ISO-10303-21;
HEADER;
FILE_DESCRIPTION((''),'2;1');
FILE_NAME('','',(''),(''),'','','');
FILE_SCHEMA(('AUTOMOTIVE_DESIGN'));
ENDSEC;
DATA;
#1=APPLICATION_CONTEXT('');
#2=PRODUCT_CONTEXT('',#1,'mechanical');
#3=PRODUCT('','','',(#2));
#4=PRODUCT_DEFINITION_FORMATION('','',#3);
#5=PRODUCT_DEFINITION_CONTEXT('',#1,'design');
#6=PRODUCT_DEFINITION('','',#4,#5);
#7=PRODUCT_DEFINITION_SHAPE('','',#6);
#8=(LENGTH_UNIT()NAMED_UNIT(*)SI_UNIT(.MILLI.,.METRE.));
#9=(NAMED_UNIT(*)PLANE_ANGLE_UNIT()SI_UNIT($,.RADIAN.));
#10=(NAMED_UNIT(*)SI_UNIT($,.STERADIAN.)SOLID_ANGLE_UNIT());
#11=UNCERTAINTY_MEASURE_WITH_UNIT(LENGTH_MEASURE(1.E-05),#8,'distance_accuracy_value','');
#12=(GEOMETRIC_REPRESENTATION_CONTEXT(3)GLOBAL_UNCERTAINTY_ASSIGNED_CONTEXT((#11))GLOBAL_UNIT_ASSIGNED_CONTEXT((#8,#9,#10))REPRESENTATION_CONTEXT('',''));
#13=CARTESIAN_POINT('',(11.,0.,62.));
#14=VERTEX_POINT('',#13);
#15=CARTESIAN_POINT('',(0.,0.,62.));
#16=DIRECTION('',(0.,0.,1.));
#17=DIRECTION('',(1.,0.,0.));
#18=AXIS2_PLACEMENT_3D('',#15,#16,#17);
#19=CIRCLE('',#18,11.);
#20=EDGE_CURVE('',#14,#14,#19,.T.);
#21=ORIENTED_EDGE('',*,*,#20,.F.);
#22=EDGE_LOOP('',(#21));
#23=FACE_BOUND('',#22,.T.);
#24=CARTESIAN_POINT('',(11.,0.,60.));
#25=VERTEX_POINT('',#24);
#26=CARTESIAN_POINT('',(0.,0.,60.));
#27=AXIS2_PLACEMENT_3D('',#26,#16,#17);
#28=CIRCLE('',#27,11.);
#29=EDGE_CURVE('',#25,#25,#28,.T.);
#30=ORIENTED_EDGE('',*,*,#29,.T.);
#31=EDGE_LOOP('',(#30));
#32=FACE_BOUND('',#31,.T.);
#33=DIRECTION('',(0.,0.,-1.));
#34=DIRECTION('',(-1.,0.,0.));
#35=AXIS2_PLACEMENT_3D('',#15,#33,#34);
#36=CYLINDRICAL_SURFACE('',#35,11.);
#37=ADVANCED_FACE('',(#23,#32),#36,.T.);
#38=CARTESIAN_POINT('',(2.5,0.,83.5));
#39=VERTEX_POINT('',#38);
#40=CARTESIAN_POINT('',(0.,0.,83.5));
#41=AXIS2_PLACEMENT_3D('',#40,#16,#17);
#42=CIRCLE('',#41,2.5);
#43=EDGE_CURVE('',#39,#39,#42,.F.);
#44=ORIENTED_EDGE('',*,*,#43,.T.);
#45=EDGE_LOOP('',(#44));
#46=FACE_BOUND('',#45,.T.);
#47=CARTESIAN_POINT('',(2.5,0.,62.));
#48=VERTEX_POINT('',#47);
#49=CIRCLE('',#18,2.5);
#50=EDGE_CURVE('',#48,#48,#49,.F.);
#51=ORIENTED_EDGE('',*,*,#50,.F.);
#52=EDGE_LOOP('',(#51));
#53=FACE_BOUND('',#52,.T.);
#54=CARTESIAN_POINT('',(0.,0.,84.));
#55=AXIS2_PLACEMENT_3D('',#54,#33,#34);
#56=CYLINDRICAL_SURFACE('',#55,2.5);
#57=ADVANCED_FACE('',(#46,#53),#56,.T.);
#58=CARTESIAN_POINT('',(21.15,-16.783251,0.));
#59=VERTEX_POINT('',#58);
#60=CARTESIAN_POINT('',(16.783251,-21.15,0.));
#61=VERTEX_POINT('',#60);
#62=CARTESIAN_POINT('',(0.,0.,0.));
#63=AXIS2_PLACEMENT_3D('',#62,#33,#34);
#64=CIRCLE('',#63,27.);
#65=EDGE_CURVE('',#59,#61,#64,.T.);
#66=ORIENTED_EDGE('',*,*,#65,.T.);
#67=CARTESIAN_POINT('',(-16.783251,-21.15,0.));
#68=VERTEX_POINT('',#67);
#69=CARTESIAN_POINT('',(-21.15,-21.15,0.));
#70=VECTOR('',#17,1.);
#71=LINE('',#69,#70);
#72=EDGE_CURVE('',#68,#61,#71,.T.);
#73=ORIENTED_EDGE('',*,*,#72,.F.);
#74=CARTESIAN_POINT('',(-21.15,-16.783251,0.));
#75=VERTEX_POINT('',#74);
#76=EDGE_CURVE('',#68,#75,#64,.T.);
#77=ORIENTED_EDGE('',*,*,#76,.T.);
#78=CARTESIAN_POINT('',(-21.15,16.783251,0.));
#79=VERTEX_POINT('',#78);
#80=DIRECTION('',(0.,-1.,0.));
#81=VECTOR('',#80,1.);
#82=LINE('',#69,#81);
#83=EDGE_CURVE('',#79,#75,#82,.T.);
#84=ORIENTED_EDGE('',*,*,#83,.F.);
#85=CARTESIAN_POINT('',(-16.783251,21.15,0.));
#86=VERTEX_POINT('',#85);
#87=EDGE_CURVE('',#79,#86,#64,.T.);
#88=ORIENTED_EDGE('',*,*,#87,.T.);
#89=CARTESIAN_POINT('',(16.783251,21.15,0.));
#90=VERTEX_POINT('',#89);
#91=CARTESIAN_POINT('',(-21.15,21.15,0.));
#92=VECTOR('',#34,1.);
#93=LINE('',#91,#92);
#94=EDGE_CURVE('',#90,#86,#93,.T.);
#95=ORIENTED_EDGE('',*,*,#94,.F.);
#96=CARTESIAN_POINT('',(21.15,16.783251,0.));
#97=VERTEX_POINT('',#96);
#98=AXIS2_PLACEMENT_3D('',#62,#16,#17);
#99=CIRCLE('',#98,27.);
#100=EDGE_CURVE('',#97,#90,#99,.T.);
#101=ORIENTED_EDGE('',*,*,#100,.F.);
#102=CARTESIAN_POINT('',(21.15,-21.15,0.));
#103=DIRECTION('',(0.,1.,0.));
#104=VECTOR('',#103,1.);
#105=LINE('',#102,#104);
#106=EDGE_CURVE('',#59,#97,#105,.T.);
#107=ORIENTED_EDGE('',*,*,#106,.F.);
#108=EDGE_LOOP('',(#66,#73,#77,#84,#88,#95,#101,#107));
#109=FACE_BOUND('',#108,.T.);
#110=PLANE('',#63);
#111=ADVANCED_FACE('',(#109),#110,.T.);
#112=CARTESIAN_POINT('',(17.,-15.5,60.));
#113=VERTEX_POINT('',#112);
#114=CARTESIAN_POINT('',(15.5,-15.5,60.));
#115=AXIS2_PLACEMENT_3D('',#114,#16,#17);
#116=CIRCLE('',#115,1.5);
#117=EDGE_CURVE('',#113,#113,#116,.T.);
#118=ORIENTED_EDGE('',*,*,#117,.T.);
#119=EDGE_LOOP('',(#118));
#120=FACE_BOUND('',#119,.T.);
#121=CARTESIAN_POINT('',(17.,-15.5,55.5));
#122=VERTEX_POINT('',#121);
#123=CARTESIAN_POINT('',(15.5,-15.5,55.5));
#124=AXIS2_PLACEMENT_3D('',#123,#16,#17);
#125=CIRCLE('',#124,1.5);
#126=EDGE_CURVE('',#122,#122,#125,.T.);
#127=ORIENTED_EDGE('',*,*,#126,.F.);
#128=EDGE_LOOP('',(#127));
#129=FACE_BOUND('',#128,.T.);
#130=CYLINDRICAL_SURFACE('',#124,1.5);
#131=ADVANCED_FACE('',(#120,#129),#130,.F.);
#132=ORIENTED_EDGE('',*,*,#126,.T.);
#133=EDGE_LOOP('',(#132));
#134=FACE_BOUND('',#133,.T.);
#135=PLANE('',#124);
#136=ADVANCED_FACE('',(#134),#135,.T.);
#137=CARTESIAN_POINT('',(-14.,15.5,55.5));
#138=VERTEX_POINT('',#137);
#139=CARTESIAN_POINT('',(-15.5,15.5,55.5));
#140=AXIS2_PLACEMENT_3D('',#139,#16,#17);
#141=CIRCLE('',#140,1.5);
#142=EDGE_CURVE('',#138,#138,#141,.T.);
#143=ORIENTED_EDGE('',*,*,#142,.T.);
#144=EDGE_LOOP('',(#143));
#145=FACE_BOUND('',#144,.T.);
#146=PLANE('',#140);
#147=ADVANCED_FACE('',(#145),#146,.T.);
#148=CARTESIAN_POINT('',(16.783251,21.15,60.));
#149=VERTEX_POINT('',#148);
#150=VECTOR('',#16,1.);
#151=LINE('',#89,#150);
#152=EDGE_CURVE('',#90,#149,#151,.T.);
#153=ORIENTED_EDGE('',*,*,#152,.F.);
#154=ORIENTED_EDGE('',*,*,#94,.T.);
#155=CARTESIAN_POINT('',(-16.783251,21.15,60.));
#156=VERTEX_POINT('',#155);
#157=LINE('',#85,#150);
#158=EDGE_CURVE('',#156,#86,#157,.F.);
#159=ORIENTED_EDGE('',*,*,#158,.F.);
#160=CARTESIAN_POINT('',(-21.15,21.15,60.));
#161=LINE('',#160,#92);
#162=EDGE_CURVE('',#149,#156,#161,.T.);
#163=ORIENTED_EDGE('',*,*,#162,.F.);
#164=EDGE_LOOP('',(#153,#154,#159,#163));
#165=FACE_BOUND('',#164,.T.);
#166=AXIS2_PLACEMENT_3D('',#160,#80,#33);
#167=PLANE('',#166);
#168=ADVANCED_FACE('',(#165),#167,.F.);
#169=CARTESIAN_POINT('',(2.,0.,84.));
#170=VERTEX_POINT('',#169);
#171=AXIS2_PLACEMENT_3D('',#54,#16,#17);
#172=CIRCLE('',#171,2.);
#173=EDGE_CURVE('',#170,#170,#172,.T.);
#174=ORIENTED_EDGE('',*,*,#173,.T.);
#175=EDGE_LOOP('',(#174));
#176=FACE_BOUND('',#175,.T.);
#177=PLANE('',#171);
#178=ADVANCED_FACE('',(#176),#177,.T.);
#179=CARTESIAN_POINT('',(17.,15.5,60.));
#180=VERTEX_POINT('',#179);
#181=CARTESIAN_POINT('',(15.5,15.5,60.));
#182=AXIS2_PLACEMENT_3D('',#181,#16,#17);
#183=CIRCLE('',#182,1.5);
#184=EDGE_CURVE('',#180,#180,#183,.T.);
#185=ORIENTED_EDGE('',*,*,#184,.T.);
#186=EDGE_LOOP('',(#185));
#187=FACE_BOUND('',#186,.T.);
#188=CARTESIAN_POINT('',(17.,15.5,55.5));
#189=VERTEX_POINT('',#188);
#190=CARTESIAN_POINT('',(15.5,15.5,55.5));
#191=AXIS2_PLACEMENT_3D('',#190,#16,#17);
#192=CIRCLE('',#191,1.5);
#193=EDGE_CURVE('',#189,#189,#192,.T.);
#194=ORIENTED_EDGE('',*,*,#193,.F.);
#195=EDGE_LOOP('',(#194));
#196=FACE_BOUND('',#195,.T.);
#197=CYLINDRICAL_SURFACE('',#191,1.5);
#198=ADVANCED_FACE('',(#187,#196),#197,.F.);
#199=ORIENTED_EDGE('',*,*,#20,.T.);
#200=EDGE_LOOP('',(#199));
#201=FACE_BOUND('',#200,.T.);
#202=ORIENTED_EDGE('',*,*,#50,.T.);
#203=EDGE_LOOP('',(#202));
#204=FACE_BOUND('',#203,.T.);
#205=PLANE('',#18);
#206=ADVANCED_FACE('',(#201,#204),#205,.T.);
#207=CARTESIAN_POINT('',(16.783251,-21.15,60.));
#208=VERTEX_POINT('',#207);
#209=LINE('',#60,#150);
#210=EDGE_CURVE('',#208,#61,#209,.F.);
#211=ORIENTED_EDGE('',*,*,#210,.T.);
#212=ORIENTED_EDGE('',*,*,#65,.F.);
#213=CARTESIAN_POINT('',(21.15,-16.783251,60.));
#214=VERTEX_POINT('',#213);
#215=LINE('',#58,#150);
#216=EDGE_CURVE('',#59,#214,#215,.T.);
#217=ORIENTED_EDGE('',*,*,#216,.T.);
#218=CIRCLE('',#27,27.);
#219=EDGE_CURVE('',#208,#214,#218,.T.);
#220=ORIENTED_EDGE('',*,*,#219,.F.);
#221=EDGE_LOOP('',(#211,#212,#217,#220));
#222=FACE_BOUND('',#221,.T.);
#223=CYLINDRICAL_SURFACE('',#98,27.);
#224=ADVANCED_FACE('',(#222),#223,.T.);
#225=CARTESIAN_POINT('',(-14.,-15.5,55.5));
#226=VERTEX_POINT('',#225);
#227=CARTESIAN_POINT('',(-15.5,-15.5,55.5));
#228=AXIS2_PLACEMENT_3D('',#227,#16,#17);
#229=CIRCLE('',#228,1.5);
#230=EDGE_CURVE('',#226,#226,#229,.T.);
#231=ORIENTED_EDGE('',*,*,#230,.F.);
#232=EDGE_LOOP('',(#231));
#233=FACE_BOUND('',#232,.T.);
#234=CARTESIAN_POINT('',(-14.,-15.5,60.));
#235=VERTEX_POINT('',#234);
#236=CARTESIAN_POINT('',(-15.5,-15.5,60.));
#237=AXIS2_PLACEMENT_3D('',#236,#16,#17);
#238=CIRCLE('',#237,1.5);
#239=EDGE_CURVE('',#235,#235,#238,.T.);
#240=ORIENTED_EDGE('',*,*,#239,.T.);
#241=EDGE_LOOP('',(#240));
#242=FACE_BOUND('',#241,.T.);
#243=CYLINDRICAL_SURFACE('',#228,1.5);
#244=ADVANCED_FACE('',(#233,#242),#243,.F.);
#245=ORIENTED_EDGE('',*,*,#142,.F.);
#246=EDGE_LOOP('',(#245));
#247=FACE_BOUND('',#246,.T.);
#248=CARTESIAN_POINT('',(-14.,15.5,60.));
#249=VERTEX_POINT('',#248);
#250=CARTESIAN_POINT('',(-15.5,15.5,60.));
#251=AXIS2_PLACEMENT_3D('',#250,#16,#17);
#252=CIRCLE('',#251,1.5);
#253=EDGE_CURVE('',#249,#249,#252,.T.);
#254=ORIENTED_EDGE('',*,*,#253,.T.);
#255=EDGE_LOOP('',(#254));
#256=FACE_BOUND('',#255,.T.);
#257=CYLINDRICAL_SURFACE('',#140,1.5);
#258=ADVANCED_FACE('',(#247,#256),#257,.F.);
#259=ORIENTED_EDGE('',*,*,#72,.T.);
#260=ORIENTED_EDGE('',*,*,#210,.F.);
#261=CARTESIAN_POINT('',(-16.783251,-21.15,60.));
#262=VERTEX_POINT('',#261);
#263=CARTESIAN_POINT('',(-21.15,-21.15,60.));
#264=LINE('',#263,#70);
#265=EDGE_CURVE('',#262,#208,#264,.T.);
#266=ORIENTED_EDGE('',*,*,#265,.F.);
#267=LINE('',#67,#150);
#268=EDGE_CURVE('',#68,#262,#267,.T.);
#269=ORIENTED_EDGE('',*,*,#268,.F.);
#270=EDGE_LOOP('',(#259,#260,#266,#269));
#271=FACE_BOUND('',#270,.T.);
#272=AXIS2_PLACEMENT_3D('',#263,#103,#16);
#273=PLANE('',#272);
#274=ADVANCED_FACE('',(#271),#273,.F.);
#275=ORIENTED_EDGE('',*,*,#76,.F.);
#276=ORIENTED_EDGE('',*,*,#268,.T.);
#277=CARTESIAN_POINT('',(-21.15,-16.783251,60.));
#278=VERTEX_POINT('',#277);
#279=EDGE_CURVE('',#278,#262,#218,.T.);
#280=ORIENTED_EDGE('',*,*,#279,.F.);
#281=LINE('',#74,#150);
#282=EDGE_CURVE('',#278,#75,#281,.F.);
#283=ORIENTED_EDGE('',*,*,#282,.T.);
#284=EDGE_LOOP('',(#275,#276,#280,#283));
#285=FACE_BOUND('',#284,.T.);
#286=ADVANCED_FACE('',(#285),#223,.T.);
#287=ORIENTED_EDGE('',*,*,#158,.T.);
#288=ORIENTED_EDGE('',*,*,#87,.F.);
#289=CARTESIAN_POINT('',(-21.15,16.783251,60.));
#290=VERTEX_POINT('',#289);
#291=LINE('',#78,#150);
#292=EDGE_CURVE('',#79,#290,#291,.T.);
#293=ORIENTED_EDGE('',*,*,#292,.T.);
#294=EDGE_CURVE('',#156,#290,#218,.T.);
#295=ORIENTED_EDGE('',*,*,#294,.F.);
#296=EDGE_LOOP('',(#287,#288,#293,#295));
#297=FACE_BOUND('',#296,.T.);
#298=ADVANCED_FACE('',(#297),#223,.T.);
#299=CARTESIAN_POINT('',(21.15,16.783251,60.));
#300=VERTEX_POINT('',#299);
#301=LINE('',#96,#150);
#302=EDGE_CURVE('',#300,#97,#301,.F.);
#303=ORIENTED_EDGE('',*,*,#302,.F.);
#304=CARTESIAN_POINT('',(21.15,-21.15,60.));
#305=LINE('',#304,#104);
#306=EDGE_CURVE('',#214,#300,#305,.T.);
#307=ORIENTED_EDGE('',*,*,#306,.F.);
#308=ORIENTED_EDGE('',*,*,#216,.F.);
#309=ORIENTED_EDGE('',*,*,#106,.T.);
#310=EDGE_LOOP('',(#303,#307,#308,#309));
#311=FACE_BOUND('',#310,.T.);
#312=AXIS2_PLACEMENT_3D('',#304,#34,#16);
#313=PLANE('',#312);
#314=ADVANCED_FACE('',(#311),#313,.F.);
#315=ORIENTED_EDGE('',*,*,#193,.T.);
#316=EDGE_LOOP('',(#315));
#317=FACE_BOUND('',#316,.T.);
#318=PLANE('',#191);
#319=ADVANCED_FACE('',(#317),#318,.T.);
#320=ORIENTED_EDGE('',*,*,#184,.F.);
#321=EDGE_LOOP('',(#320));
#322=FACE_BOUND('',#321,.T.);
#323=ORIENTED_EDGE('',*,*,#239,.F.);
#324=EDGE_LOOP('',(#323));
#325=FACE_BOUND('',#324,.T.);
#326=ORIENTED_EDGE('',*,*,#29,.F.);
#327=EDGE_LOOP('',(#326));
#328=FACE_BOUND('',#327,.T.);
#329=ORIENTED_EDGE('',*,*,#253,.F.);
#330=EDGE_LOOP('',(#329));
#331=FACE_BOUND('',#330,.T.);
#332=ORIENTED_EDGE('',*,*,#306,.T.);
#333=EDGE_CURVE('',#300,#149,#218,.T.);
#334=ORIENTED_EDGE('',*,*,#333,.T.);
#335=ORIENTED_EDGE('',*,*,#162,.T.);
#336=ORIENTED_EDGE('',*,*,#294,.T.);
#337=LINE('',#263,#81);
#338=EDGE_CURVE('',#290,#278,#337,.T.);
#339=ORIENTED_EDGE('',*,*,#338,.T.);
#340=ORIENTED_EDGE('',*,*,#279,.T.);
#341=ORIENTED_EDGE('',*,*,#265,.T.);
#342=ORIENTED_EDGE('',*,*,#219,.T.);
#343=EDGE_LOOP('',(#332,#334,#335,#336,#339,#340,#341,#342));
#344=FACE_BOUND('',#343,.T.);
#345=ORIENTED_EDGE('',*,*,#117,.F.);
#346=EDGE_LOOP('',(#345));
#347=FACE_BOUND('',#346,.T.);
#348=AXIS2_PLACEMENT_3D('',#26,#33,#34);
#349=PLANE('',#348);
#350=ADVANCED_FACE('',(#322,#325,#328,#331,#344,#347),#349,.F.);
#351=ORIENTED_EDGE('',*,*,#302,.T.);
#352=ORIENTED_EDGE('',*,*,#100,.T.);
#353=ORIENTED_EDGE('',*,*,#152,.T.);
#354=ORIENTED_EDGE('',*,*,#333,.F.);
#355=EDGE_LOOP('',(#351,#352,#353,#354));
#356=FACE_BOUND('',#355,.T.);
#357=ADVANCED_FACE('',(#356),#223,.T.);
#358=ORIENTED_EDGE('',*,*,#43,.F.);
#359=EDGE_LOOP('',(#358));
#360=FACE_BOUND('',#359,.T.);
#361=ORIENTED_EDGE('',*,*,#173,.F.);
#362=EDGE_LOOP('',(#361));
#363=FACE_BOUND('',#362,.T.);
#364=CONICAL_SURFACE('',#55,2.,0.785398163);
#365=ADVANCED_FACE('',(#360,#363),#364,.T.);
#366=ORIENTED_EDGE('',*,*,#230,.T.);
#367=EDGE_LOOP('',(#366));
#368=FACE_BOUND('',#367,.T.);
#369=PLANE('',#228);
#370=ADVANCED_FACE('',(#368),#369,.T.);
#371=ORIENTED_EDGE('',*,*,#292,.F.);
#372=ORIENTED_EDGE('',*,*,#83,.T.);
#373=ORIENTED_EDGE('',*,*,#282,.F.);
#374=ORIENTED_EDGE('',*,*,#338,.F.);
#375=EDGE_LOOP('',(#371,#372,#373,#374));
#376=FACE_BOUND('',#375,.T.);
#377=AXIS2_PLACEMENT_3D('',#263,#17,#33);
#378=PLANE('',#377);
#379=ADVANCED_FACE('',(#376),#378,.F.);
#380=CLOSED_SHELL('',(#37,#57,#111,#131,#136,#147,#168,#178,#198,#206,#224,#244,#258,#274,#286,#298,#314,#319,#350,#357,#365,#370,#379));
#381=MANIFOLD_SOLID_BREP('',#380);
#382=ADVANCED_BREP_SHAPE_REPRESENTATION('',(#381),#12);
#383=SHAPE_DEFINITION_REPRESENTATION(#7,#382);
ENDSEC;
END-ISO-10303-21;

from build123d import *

# Parameters (mm, degrees)
SKETCH1_W           = 42.3
SKETCH1_H           = 42.3
BOSS_EXTRUDE1_DEPTH = 60
SKETCH2_R           = 1.5
CUT_EXTRUDE1_DEPTH  = 4.5
SKETCH3_W           = 70.080041738
SKETCH3_H           = 62.101106944
SKETCH3_R           = 27
CUT_EXTRUDE2_DEPTH  = 68.04211363
SKETCH4_R           = 11
BOSS_EXTRUDE2_DEPTH = 2
SKETCH5_R           = 2.5
BOSS_EXTRUDE3_DEPTH = 24
CHAMFER1_SIZE       = 0.5


with BuildPart() as part:
    # Sketch1 → Boss-Extrude1 (new body)
    with BuildSketch(Plane.XY):
        Rectangle(SKETCH1_W, SKETCH1_H)
    extrude(amount=BOSS_EXTRUDE1_DEPTH)

    # Sketch2 → Cut-Extrude1 (cut)
    with BuildSketch(Plane.XY.offset(60)):
        with Locations((-15.5, 15.5)):
            Circle(SKETCH2_R)
        with Locations((-15.5, -15.5)):
            Circle(SKETCH2_R)
        with Locations((15.5, -15.5)):
            Circle(SKETCH2_R)
        with Locations((15.5, 15.5)):
            Circle(SKETCH2_R)
    extrude(amount=-CUT_EXTRUDE1_DEPTH, mode=Mode.SUBTRACT)

    # Sketch3 → Cut-Extrude2 (cut, through all)
    with BuildSketch(Plane.XY.offset(60)):
        Rectangle(SKETCH3_W, SKETCH3_H)
        Circle(SKETCH3_R, mode=Mode.SUBTRACT)
    extrude(amount=-CUT_EXTRUDE2_DEPTH, mode=Mode.SUBTRACT)

    # Sketch4 → Boss-Extrude2 (add)
    with BuildSketch(Plane.XY.offset(60)):
        Circle(SKETCH4_R)
    extrude(amount=BOSS_EXTRUDE2_DEPTH)

    # Sketch5 → Boss-Extrude3 (add)
    with BuildSketch(Plane.XY.offset(60)):
        Circle(SKETCH5_R)
    extrude(amount=BOSS_EXTRUDE3_DEPTH)

    # Chamfer1
    chamfer1_edges = [part.edges().sort_by_distance(p)[0] for p in [
        (-2.5, 0, 84),
    ]]
    chamfer(chamfer1_edges, length=CHAMFER1_SIZE)


solid = part.part
